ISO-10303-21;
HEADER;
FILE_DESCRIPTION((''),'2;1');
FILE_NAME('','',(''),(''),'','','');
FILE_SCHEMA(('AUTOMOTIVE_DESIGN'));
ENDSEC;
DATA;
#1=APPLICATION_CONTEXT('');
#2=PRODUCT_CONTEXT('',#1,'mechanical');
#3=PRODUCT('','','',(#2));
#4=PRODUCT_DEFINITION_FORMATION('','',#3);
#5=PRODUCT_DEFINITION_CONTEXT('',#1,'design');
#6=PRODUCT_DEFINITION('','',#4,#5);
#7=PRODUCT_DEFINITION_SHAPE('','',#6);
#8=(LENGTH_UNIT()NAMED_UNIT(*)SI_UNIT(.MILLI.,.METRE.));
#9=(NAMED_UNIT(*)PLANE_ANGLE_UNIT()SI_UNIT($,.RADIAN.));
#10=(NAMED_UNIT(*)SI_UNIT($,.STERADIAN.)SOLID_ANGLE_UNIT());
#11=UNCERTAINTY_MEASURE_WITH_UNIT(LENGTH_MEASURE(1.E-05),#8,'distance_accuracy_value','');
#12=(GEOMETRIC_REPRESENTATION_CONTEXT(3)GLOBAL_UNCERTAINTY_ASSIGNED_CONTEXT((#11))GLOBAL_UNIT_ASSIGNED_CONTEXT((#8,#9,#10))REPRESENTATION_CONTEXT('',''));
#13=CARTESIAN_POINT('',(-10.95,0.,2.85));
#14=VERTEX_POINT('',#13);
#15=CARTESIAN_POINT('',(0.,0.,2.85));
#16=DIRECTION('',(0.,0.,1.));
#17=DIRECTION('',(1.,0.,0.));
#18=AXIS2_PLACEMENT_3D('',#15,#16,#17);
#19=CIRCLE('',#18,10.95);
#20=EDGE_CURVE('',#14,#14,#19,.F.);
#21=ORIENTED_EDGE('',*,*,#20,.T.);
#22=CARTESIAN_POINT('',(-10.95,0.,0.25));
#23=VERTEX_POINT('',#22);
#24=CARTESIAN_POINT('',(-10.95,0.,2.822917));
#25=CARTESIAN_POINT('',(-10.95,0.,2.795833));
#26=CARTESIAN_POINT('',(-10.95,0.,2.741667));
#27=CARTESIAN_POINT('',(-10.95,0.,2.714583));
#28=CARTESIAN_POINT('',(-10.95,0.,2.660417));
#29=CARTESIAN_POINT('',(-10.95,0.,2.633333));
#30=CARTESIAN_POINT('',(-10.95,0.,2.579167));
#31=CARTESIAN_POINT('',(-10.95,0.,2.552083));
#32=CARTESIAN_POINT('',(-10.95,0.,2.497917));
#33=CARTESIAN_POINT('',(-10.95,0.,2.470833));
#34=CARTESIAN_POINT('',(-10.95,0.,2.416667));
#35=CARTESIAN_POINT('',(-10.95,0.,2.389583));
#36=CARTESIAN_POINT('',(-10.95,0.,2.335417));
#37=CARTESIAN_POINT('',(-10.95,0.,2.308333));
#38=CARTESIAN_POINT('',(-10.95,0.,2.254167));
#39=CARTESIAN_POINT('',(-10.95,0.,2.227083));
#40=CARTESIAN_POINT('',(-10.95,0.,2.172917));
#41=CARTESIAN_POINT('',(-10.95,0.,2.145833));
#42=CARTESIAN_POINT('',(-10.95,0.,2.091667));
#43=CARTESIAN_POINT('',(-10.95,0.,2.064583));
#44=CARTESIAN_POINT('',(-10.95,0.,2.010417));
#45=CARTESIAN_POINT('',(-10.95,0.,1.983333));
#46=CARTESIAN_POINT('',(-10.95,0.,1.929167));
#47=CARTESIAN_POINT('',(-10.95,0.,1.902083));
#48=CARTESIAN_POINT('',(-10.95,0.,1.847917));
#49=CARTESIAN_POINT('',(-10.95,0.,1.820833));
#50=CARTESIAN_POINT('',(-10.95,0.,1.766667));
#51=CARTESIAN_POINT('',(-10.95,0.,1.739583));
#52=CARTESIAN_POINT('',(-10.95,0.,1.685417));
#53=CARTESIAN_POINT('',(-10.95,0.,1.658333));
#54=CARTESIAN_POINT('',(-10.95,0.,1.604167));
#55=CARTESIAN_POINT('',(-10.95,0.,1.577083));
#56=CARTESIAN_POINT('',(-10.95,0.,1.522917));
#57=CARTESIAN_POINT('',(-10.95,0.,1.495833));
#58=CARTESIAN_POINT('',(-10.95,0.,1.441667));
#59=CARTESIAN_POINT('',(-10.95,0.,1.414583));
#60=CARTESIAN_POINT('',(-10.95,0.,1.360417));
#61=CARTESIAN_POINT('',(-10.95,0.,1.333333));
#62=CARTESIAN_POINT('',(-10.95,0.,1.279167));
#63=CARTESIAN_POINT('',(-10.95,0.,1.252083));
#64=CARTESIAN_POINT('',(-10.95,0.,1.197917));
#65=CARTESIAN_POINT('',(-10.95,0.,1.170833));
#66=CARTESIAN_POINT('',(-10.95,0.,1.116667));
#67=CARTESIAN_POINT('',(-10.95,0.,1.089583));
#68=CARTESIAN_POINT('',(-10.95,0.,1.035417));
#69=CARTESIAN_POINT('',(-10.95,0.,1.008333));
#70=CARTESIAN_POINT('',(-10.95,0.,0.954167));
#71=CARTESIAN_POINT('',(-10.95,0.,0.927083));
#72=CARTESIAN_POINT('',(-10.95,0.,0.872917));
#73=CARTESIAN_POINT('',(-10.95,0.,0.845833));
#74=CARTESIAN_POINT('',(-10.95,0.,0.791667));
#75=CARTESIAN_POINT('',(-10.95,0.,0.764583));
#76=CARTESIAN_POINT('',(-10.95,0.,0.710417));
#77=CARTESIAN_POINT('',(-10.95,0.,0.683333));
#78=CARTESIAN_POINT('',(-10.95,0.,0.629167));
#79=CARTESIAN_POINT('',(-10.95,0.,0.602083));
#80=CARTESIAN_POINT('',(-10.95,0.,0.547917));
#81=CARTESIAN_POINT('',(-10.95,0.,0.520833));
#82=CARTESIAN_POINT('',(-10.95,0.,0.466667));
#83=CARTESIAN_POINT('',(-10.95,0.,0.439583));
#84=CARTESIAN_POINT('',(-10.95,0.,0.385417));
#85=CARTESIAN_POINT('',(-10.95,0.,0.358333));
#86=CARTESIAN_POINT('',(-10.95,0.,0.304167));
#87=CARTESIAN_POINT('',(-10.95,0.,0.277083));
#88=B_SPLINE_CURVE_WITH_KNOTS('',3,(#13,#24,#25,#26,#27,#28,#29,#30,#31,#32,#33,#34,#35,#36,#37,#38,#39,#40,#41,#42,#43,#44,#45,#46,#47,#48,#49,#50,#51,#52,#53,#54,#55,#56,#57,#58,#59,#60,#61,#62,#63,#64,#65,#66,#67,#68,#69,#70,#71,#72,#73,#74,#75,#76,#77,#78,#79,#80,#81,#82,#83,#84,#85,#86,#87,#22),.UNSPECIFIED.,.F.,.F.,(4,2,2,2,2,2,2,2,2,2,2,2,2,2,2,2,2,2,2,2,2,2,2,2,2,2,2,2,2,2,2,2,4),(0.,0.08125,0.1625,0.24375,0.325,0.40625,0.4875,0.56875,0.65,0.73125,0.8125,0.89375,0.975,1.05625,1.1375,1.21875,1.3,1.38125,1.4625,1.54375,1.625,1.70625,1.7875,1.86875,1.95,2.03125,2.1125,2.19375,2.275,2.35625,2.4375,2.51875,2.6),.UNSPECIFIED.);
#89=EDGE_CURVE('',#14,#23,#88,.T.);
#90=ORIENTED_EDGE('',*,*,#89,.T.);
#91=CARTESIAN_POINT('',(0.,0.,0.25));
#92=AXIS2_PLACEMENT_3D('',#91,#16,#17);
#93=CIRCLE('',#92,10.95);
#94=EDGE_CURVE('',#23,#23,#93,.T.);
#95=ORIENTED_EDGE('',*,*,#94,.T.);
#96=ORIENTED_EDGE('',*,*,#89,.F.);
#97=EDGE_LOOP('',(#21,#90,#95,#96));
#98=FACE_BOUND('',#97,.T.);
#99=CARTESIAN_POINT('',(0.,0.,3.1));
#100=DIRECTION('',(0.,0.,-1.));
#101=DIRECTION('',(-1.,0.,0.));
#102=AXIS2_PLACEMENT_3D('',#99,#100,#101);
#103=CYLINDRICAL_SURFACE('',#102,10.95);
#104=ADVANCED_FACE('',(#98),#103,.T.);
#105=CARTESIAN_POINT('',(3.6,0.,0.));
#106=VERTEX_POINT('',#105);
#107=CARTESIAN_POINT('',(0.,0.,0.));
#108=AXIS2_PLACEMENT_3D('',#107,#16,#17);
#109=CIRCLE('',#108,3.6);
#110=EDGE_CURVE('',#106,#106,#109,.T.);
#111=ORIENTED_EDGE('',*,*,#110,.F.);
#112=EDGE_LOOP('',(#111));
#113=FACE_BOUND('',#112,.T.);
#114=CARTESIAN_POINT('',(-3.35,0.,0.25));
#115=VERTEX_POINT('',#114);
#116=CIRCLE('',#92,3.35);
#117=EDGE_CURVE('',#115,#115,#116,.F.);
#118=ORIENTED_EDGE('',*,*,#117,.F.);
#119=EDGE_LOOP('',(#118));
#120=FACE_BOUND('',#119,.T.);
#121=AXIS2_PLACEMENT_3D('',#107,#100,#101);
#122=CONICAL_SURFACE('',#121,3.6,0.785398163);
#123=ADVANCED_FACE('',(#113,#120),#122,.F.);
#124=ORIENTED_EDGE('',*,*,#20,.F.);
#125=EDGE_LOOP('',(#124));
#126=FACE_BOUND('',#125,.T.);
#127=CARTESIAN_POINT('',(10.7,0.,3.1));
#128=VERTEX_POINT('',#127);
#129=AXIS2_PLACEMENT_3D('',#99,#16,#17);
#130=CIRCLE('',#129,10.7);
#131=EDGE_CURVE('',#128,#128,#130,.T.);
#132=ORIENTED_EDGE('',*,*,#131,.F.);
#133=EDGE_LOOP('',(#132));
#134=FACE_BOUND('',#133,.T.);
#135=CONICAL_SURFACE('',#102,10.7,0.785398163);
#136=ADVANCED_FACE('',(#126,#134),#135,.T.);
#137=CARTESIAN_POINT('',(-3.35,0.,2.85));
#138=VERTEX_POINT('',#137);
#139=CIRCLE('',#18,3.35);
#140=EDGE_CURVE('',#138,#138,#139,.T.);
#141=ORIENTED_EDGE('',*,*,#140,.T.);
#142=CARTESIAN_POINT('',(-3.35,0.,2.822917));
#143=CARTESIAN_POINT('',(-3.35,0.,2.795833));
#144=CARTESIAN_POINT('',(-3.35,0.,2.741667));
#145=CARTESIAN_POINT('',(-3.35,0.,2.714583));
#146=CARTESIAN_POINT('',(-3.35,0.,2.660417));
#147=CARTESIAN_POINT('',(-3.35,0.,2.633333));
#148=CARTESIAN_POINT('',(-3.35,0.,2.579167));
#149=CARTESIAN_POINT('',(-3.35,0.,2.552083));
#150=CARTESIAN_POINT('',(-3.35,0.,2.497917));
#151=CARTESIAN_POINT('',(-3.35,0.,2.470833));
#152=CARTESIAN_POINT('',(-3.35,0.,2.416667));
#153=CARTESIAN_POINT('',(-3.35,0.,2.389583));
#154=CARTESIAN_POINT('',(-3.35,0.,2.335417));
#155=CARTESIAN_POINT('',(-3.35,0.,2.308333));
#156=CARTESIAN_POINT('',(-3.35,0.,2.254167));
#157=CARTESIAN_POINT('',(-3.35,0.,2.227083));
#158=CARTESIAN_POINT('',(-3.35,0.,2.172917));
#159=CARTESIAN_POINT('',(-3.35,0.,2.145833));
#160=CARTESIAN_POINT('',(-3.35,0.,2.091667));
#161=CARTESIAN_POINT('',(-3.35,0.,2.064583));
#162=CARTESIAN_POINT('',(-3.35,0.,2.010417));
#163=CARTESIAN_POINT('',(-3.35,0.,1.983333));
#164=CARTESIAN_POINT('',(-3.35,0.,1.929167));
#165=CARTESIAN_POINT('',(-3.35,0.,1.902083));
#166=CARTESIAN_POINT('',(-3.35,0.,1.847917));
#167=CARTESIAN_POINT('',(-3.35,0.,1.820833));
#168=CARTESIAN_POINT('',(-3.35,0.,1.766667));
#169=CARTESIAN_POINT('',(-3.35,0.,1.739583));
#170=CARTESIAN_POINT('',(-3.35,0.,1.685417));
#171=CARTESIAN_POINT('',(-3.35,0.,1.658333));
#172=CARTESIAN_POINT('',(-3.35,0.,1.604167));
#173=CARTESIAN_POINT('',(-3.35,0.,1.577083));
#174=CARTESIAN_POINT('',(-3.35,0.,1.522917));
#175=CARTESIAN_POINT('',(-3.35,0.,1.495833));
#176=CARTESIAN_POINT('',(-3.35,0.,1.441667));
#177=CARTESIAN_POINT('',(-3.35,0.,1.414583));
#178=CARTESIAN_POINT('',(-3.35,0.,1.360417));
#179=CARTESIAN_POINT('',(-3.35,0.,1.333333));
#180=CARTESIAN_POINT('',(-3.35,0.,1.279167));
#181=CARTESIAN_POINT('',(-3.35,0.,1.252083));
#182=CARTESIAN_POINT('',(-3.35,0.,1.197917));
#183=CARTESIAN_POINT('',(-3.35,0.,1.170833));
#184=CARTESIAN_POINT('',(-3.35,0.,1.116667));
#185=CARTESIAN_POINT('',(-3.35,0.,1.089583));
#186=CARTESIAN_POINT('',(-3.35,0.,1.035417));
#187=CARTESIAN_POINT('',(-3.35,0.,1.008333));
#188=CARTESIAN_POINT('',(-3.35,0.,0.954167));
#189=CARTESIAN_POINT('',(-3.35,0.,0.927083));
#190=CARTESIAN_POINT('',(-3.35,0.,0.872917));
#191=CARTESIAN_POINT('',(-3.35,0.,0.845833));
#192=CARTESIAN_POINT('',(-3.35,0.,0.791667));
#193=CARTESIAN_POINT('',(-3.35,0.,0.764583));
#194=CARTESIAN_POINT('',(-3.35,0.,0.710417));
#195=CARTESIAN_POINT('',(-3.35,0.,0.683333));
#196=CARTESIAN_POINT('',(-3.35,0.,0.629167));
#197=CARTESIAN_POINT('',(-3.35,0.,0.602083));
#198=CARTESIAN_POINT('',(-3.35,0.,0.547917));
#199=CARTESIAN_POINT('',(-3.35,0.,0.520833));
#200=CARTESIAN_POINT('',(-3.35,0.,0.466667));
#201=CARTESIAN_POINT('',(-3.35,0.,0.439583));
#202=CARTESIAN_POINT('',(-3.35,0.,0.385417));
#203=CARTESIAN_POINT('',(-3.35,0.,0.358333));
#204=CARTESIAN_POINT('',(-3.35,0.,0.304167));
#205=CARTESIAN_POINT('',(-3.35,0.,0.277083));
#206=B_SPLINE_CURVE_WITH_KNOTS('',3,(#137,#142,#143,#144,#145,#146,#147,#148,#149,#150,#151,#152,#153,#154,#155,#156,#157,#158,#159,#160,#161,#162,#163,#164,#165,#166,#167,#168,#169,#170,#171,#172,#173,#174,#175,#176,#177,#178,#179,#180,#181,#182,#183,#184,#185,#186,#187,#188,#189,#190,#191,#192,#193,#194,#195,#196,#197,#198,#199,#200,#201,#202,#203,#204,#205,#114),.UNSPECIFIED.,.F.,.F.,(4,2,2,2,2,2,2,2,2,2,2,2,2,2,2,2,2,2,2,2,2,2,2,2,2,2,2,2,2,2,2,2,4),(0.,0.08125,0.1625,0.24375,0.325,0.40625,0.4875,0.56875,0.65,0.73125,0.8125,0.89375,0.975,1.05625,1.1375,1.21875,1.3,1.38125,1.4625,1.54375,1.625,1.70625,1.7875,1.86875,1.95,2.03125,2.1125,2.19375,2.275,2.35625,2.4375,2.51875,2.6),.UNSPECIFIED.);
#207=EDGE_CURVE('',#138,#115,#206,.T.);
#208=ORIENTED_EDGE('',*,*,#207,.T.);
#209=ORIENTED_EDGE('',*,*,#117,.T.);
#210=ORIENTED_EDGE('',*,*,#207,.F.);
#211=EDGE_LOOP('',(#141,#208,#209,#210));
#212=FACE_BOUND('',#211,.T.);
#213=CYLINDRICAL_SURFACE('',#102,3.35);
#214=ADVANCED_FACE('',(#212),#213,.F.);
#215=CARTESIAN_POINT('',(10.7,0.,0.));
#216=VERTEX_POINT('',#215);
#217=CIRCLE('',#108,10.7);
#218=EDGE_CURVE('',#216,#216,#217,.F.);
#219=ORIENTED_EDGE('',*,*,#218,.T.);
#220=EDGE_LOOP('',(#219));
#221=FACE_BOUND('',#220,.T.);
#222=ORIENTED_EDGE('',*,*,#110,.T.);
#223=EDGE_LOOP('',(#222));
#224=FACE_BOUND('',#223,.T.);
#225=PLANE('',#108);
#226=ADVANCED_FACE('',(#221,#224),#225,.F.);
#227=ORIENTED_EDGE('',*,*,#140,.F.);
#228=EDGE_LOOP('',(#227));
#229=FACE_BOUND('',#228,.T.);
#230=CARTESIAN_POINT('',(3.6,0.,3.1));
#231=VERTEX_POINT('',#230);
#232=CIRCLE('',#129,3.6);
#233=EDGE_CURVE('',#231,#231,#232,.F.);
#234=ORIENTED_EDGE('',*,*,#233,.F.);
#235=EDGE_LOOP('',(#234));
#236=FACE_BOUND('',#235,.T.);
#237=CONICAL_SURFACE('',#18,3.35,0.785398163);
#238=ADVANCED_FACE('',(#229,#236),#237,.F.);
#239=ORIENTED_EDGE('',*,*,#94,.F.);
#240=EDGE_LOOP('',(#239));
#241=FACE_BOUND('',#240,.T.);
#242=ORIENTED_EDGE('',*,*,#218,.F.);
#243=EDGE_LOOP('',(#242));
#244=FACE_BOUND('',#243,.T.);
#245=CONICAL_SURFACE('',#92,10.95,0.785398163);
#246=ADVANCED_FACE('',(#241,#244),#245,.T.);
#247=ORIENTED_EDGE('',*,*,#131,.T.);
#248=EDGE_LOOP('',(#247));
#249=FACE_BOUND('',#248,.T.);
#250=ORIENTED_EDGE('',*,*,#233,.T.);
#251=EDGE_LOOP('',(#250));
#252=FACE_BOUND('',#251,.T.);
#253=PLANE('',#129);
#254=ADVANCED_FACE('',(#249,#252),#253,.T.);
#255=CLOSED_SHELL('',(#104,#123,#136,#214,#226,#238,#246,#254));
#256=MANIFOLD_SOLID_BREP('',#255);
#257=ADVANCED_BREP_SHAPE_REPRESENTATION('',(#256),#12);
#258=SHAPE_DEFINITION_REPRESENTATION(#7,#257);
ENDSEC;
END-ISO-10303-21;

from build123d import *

# Parameters (mm, degrees)
SKETCH1_R           = 10.95
SKETCH1_R_2         = 3.35
BOSS_EXTRUDE1_DEPTH = 3.1
CHAMFER1_SIZE       = 0.25


with BuildPart() as part:
    # Sketch1 → Boss-Extrude1 (new body)
    with BuildSketch(Plane.XY):
        with Locations(Location((0, 0, 0), (0, 0, 180))):
            Circle(SKETCH1_R)
        with Locations(Location((0, 0, 0), (0, 0, 180))):
            Circle(SKETCH1_R_2, mode=Mode.SUBTRACT)
    extrude(amount=BOSS_EXTRUDE1_DEPTH)

    # Chamfer1
    chamfer1_edges = [part.edges().sort_by_distance(p)[0] for p in [
        (10.95, 0, 0),
        (10.95, 0, 3.1),
        (3.35, 0, 0),
        (3.35, 0, 3.1),
    ]]
    chamfer(chamfer1_edges, length=CHAMFER1_SIZE)


solid = part.part
